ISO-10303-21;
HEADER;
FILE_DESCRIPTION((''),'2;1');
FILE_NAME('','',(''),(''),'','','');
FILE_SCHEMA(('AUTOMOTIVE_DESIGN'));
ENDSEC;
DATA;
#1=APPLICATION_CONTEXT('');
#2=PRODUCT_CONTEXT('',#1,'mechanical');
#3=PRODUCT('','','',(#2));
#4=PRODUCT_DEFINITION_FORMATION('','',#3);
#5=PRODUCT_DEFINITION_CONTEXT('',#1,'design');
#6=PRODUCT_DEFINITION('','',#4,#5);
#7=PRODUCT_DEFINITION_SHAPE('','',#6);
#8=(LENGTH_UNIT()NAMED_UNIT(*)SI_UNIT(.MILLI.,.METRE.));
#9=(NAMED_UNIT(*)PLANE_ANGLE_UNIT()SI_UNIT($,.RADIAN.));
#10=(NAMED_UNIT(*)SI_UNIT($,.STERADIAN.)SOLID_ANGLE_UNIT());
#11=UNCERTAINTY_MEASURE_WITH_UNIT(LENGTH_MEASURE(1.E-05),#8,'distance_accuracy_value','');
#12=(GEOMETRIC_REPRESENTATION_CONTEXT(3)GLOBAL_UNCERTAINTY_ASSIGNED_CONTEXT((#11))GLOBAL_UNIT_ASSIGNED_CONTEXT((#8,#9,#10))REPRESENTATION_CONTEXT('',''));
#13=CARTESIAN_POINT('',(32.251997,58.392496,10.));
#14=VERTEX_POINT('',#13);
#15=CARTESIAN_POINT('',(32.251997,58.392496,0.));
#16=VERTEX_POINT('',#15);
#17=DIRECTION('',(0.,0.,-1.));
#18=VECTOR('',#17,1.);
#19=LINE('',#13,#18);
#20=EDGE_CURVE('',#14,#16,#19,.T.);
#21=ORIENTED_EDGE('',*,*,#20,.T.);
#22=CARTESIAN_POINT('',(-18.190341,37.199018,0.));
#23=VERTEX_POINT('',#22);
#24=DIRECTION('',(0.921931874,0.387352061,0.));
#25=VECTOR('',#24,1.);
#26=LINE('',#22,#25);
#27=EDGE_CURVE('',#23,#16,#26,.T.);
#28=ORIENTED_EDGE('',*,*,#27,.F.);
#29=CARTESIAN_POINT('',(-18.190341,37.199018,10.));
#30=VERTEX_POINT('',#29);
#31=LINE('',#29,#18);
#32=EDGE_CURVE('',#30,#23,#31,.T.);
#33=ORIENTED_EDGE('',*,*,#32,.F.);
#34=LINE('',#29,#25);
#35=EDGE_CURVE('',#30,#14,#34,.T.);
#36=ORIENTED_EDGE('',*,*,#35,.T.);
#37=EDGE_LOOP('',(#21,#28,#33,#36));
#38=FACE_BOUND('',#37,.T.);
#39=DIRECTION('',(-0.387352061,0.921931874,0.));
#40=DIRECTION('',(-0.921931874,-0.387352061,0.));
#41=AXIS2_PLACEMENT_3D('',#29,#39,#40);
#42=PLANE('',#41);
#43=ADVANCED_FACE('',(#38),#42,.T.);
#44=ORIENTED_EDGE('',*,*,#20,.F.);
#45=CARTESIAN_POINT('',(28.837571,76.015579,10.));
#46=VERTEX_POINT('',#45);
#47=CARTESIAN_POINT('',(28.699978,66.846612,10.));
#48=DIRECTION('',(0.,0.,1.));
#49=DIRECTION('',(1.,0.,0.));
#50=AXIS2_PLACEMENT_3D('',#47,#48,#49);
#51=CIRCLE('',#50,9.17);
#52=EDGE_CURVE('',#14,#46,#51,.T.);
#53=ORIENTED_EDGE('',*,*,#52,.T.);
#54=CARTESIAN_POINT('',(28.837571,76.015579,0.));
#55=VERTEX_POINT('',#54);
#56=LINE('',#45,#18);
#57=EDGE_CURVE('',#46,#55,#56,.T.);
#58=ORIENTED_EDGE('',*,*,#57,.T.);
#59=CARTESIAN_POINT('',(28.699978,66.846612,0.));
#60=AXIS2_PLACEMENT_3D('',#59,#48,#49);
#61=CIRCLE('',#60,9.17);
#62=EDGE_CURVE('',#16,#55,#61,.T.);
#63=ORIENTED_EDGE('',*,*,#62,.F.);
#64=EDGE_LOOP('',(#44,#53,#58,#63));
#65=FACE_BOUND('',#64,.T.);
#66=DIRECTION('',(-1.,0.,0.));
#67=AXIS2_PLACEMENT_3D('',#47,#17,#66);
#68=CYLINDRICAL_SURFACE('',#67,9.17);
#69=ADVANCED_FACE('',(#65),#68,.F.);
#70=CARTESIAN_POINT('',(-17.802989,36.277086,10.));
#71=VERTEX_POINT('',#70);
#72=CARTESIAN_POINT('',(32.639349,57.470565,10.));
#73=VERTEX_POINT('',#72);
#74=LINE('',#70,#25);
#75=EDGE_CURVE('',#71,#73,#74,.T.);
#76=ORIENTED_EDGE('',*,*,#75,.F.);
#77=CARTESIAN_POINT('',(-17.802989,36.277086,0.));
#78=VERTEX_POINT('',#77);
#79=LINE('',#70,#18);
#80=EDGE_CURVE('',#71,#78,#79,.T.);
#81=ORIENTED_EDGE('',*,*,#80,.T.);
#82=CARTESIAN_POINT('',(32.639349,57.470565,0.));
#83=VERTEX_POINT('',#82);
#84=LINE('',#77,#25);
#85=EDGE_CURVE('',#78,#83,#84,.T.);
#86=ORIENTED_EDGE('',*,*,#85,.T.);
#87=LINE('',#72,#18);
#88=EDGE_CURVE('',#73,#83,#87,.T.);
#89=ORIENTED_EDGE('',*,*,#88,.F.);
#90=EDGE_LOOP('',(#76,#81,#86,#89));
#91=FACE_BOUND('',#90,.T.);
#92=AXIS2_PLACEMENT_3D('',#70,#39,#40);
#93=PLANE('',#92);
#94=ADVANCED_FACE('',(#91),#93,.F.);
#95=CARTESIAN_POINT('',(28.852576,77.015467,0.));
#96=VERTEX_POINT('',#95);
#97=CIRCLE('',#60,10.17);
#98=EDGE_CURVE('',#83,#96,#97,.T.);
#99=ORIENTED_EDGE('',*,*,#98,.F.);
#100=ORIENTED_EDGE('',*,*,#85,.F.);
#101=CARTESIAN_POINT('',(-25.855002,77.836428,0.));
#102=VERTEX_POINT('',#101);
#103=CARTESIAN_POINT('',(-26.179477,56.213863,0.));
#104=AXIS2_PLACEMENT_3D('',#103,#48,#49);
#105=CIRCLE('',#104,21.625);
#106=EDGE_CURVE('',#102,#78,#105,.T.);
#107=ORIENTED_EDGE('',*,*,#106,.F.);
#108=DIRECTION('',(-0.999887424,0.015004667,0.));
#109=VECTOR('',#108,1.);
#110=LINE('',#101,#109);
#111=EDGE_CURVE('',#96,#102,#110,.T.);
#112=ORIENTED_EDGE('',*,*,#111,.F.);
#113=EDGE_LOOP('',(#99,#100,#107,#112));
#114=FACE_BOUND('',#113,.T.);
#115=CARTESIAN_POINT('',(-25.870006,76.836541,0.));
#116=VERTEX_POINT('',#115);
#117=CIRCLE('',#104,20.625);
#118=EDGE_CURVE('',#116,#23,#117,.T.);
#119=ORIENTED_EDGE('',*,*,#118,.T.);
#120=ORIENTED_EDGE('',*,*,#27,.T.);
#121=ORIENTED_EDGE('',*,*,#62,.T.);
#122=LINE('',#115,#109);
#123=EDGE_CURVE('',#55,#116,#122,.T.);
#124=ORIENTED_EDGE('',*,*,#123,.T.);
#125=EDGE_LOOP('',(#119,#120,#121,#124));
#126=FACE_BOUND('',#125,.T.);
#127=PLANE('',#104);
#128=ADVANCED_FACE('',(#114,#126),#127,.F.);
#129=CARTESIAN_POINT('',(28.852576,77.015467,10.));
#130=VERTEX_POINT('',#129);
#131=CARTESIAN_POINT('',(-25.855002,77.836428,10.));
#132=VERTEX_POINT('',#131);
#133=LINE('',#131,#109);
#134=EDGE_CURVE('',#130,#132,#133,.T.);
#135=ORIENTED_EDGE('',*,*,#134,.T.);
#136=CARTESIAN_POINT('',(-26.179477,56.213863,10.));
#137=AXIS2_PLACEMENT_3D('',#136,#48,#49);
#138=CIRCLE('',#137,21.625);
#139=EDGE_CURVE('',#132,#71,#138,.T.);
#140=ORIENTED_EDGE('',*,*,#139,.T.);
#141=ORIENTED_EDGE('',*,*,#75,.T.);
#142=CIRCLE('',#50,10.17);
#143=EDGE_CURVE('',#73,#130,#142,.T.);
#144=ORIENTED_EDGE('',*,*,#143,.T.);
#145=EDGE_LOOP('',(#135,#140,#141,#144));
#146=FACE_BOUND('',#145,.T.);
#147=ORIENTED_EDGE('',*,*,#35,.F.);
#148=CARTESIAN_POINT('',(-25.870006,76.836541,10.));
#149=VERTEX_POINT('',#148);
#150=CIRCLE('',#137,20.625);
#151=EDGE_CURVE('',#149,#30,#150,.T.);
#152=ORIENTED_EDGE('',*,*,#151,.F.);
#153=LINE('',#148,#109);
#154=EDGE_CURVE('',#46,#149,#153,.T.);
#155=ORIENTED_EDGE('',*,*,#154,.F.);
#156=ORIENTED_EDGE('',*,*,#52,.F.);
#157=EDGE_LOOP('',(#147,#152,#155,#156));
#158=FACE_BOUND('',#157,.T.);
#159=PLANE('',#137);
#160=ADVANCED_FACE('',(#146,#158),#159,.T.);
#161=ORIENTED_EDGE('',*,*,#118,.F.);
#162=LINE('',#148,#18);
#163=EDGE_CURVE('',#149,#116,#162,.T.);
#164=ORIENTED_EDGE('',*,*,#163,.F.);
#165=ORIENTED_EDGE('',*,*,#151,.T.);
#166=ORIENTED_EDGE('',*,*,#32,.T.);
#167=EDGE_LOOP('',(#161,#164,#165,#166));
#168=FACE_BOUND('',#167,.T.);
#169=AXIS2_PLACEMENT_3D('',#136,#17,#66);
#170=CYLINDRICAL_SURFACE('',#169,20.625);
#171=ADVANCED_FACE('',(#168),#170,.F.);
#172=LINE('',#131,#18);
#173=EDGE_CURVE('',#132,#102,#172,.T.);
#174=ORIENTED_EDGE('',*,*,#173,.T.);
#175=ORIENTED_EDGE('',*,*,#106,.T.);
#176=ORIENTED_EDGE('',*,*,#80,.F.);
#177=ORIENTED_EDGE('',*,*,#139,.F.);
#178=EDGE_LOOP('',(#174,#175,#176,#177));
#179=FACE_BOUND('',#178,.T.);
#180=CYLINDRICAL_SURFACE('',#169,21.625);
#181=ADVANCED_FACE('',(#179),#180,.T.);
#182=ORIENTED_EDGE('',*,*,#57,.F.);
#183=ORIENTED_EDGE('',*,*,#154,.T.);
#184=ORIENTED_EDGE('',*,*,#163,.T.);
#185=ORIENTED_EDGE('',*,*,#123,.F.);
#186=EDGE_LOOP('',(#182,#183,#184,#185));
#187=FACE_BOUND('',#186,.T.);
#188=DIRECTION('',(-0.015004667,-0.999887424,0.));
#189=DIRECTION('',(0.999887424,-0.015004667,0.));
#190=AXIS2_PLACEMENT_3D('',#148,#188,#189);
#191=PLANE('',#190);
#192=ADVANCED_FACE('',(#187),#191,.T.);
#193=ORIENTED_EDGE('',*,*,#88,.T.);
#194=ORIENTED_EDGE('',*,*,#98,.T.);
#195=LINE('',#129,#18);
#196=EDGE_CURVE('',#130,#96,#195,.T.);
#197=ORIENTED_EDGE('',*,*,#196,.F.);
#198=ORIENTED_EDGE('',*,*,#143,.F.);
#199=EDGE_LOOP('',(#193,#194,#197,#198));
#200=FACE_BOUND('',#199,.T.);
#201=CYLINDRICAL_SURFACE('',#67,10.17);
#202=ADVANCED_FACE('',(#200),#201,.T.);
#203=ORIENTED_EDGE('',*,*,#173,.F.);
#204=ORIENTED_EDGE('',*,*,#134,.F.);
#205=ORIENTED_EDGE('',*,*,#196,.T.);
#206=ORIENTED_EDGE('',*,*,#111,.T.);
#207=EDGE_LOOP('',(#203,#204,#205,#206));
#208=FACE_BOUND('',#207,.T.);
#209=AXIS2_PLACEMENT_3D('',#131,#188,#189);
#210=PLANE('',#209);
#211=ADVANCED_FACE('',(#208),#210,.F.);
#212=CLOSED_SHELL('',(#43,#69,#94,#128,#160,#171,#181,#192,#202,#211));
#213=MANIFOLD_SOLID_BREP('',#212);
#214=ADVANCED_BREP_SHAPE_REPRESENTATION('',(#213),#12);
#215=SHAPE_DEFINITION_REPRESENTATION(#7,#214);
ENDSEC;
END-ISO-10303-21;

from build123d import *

# Parameters (mm, degrees)
BOSS_EXTRUDE1_DEPTH = 10


with BuildPart() as part:
    # Sketch1 → Boss-Extrude1 (new body)
    with BuildSketch(Plane.XY):
        with BuildLine():
            Line((-25.855001538, 77.83642818), (28.852575609, 77.015466766))
            ThreePointArc((28.852575609, 77.015466766), (38.684308439, 68.781049192), (32.639348603, 57.470564506))
            Line((32.639348603, 57.470564506), (-17.80298915, 36.277085862))
            ThreePointArc((-17.80298915, 36.277085862), (-47.40967832, 52.100567516), (-25.855001538, 77.83642818))
        make_face()
        with BuildLine():
            Line((-25.870006206, 76.836540756), (28.837570942, 76.015579343))
            ThreePointArc((28.837570942, 76.015579343), (37.702565047, 68.590839012), (32.251996542, 58.392496381))
            Line((32.251996542, 58.392496381), (-18.190341211, 37.199017736))
            ThreePointArc((-18.190341211, 37.199017736), (-46.427934928, 52.290777695), (-25.870006206, 76.836540756))
        make_face(mode=Mode.SUBTRACT)
    extrude(amount=BOSS_EXTRUDE1_DEPTH)


solid = part.part
